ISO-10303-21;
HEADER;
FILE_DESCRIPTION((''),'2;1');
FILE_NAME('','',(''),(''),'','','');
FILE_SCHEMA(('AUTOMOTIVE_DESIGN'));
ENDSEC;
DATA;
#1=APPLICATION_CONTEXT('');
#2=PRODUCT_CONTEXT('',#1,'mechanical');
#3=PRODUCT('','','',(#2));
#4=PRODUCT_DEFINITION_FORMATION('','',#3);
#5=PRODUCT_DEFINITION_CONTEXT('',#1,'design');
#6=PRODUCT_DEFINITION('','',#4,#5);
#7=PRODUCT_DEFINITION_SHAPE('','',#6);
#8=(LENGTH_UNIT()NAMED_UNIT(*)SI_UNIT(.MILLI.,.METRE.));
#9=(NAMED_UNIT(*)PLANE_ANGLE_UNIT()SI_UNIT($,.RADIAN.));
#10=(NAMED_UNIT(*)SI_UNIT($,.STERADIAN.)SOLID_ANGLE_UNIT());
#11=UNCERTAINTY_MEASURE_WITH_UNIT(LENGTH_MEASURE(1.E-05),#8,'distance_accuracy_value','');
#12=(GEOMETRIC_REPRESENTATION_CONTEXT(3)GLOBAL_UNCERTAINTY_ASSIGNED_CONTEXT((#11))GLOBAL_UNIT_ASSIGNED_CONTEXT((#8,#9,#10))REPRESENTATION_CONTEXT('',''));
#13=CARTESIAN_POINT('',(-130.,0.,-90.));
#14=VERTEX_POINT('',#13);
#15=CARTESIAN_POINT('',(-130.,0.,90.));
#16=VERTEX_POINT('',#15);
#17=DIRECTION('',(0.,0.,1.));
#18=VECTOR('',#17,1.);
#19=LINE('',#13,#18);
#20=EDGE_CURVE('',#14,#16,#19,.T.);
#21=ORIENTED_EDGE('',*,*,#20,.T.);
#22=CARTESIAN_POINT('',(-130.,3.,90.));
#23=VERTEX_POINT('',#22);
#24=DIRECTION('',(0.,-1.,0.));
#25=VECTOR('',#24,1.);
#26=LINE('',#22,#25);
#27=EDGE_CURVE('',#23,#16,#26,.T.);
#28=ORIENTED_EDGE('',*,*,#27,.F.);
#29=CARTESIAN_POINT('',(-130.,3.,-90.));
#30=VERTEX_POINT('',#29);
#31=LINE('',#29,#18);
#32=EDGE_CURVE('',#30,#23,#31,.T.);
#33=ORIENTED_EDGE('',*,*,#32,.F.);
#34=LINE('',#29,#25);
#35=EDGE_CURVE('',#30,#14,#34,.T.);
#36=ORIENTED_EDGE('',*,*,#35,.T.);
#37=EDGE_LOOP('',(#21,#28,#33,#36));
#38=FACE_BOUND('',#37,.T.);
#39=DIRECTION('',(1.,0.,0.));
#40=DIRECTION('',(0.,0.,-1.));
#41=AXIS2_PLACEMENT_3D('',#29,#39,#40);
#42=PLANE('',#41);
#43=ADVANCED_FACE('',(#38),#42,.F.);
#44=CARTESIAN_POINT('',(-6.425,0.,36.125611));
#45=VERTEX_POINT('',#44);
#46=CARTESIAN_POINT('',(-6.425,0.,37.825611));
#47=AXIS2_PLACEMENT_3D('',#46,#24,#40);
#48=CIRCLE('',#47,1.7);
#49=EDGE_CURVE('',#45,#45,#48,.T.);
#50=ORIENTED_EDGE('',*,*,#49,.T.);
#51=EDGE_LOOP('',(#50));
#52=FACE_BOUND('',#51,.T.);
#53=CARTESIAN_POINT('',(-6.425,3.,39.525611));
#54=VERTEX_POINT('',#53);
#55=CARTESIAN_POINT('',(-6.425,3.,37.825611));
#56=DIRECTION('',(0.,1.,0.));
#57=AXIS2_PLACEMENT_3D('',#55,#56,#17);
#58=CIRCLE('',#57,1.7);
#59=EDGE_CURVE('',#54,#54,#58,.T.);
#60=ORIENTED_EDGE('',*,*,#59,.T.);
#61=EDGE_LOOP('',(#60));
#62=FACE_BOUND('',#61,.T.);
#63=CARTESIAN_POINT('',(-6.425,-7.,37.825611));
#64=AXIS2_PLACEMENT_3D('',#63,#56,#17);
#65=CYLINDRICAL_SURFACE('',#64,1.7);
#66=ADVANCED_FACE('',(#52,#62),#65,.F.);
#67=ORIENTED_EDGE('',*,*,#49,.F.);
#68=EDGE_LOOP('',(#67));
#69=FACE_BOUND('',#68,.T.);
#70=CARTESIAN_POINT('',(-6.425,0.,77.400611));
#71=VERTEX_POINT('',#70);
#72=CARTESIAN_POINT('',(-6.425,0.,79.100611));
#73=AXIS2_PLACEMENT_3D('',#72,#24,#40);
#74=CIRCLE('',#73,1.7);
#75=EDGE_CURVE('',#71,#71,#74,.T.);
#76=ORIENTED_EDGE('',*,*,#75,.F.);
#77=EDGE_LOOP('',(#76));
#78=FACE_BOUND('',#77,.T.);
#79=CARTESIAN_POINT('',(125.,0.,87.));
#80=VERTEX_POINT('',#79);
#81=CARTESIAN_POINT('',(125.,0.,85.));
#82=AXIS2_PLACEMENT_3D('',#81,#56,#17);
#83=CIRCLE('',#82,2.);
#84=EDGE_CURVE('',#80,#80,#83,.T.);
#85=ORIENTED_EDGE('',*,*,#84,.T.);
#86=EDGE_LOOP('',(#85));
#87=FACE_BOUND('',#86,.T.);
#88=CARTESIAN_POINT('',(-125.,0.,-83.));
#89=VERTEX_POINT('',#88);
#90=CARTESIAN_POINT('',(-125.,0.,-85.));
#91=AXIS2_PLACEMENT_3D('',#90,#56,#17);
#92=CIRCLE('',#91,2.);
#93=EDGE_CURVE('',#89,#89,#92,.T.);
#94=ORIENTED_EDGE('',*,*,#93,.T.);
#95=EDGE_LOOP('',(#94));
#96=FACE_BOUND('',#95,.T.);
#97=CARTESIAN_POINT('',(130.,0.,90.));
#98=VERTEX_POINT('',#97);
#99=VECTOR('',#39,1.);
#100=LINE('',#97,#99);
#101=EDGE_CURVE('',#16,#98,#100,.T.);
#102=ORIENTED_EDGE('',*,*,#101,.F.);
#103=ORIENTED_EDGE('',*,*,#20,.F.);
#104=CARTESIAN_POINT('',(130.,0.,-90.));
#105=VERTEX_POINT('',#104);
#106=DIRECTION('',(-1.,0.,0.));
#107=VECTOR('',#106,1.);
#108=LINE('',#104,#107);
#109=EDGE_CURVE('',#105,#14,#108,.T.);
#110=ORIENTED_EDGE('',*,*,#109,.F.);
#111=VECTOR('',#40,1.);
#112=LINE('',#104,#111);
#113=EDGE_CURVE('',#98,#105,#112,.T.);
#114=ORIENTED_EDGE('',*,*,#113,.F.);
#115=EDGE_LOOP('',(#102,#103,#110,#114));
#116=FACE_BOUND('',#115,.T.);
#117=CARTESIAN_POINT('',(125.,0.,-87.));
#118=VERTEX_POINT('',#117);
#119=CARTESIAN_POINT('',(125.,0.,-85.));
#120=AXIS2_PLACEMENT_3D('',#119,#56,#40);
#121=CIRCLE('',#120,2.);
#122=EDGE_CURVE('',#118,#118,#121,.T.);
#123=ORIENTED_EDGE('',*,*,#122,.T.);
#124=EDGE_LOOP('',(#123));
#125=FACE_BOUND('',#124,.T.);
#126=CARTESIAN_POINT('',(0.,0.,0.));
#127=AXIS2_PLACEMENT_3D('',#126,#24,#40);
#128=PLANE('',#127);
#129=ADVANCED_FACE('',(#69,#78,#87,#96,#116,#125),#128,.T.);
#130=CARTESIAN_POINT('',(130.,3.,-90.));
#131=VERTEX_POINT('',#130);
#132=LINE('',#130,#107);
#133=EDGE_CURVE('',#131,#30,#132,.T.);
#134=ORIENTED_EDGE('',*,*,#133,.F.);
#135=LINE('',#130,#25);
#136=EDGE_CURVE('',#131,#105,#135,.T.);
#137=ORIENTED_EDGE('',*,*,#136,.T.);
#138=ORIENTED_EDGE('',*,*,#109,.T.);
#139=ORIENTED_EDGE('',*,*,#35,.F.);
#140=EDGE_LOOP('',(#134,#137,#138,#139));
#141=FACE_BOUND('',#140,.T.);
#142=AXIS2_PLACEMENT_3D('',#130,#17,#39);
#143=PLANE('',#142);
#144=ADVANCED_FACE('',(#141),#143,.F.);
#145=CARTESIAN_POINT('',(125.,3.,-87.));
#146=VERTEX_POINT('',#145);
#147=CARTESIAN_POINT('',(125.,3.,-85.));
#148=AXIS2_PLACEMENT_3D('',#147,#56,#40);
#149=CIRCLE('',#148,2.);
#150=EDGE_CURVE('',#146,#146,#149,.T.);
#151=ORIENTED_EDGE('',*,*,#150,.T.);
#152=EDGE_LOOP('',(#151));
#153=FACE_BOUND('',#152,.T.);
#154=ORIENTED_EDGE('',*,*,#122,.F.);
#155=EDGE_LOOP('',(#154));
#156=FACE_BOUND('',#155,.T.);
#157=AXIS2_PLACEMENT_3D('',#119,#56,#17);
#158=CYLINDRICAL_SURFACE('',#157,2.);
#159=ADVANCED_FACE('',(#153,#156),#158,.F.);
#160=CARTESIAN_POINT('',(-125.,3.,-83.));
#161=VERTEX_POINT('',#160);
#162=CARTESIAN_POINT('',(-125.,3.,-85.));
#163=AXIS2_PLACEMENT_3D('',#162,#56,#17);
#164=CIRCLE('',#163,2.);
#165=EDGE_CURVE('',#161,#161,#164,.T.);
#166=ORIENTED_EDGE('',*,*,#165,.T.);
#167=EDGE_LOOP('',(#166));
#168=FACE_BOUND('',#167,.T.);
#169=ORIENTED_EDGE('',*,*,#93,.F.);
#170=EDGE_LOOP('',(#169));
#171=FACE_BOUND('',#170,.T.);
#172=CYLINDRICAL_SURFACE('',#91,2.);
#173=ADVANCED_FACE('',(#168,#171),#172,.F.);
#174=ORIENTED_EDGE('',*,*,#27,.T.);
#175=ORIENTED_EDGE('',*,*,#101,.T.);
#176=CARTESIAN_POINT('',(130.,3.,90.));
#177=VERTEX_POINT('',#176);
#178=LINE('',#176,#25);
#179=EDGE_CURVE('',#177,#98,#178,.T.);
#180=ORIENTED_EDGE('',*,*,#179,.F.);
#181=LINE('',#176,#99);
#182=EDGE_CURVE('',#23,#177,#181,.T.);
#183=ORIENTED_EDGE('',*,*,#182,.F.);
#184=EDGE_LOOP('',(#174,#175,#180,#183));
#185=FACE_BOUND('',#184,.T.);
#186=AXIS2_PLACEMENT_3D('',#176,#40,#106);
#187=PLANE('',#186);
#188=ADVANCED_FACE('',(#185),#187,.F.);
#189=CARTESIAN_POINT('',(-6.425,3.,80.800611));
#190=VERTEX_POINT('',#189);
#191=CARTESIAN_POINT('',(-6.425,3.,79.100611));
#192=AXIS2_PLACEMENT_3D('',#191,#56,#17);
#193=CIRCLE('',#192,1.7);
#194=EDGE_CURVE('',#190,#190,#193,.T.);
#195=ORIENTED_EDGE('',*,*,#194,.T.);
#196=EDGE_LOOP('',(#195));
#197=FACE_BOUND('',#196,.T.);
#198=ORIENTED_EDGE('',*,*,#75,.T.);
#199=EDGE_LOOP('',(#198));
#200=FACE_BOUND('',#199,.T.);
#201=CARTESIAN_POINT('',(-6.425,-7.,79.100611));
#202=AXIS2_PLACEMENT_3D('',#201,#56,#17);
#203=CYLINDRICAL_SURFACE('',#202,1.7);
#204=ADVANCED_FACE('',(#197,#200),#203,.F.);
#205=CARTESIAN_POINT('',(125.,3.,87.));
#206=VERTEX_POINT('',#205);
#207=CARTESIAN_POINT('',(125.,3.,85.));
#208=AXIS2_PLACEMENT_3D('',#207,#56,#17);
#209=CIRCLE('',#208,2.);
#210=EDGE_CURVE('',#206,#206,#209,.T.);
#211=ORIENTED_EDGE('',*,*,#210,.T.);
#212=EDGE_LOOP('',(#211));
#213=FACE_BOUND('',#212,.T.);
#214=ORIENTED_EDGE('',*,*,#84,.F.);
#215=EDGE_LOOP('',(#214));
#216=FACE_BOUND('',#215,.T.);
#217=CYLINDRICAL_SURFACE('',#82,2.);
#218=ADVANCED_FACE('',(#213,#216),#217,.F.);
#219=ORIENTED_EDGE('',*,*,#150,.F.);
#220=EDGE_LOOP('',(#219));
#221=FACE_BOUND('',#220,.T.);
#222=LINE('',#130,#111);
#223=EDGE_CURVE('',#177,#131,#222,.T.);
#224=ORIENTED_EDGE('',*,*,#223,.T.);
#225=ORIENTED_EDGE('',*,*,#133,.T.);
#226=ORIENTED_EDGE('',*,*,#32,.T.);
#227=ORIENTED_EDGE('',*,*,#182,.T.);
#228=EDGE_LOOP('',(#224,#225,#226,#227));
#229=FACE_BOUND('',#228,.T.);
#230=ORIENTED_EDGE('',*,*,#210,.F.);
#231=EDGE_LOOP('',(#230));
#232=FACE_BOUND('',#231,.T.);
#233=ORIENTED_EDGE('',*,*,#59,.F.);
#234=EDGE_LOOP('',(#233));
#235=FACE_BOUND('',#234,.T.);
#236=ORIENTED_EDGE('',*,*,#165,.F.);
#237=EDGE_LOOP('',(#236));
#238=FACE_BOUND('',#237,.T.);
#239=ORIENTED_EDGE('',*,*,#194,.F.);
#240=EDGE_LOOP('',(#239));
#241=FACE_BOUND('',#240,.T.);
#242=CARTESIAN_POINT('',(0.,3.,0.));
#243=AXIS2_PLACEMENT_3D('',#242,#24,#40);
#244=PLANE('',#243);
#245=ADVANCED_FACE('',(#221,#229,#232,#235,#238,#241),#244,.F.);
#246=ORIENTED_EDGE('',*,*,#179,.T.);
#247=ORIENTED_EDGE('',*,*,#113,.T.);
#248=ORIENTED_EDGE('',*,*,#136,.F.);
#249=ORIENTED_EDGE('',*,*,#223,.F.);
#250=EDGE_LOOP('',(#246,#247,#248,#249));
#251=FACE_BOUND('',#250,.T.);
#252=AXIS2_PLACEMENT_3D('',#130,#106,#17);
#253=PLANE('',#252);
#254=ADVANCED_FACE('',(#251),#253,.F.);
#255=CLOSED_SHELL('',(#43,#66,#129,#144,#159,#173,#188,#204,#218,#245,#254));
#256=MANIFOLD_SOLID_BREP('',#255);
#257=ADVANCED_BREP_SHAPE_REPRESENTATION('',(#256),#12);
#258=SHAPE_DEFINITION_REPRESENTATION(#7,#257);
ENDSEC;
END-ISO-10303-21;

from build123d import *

# Parameters (mm, degrees)
SKETCH1_W           = 260
SKETCH1_H           = 180
BOSS_EXTRUDE1_DEPTH = 3
SKETCH2_R           = 2
CUT_EXTRUDE1_DEPTH  = 159.142340946
SKETCH3_R           = 1.7
CUT_EXTRUDE2_DEPTH  = 10


with BuildPart() as part:
    # Sketch1 → Boss-Extrude1 (new body)
    with BuildSketch(Plane(origin=(0, 0, 0), x_dir=(1, 0, 0), z_dir=(0, 1, 0))):
        Rectangle(SKETCH1_W, SKETCH1_H)
    extrude(amount=BOSS_EXTRUDE1_DEPTH)

    # Sketch2 → Cut-Extrude1 (cut, through all)
    with BuildSketch(Plane(origin=(0, 3, 0), x_dir=(1, 0, 0), z_dir=(0, 1, 0))):
        with Locations(Location((125, -85, 0), (0, 0, 270))):
            Circle(SKETCH2_R)
        with Locations(Location((125, 85, 0), (0, 0, 90))):
            Circle(SKETCH2_R)
        with Locations(Location((-125, 85, 0), (0, 0, 270))):
            Circle(SKETCH2_R)
    extrude(amount=-CUT_EXTRUDE1_DEPTH, mode=Mode.SUBTRACT)

    # Sketch3 → Cut-Extrude2 (cut)
    with BuildSketch(Plane(origin=(0, 3, 0), x_dir=(1, 0, 0), z_dir=(0, 1, 0))):
        with Locations(Location((-6.425, -79.100611393, 0), (0, 0, 270))):
            Circle(SKETCH3_R)
        with Locations(Location((-6.425, -37.825611393, 0), (0, 0, 270))):
            Circle(SKETCH3_R)
    extrude(amount=-CUT_EXTRUDE2_DEPTH, mode=Mode.SUBTRACT)


solid = part.part
